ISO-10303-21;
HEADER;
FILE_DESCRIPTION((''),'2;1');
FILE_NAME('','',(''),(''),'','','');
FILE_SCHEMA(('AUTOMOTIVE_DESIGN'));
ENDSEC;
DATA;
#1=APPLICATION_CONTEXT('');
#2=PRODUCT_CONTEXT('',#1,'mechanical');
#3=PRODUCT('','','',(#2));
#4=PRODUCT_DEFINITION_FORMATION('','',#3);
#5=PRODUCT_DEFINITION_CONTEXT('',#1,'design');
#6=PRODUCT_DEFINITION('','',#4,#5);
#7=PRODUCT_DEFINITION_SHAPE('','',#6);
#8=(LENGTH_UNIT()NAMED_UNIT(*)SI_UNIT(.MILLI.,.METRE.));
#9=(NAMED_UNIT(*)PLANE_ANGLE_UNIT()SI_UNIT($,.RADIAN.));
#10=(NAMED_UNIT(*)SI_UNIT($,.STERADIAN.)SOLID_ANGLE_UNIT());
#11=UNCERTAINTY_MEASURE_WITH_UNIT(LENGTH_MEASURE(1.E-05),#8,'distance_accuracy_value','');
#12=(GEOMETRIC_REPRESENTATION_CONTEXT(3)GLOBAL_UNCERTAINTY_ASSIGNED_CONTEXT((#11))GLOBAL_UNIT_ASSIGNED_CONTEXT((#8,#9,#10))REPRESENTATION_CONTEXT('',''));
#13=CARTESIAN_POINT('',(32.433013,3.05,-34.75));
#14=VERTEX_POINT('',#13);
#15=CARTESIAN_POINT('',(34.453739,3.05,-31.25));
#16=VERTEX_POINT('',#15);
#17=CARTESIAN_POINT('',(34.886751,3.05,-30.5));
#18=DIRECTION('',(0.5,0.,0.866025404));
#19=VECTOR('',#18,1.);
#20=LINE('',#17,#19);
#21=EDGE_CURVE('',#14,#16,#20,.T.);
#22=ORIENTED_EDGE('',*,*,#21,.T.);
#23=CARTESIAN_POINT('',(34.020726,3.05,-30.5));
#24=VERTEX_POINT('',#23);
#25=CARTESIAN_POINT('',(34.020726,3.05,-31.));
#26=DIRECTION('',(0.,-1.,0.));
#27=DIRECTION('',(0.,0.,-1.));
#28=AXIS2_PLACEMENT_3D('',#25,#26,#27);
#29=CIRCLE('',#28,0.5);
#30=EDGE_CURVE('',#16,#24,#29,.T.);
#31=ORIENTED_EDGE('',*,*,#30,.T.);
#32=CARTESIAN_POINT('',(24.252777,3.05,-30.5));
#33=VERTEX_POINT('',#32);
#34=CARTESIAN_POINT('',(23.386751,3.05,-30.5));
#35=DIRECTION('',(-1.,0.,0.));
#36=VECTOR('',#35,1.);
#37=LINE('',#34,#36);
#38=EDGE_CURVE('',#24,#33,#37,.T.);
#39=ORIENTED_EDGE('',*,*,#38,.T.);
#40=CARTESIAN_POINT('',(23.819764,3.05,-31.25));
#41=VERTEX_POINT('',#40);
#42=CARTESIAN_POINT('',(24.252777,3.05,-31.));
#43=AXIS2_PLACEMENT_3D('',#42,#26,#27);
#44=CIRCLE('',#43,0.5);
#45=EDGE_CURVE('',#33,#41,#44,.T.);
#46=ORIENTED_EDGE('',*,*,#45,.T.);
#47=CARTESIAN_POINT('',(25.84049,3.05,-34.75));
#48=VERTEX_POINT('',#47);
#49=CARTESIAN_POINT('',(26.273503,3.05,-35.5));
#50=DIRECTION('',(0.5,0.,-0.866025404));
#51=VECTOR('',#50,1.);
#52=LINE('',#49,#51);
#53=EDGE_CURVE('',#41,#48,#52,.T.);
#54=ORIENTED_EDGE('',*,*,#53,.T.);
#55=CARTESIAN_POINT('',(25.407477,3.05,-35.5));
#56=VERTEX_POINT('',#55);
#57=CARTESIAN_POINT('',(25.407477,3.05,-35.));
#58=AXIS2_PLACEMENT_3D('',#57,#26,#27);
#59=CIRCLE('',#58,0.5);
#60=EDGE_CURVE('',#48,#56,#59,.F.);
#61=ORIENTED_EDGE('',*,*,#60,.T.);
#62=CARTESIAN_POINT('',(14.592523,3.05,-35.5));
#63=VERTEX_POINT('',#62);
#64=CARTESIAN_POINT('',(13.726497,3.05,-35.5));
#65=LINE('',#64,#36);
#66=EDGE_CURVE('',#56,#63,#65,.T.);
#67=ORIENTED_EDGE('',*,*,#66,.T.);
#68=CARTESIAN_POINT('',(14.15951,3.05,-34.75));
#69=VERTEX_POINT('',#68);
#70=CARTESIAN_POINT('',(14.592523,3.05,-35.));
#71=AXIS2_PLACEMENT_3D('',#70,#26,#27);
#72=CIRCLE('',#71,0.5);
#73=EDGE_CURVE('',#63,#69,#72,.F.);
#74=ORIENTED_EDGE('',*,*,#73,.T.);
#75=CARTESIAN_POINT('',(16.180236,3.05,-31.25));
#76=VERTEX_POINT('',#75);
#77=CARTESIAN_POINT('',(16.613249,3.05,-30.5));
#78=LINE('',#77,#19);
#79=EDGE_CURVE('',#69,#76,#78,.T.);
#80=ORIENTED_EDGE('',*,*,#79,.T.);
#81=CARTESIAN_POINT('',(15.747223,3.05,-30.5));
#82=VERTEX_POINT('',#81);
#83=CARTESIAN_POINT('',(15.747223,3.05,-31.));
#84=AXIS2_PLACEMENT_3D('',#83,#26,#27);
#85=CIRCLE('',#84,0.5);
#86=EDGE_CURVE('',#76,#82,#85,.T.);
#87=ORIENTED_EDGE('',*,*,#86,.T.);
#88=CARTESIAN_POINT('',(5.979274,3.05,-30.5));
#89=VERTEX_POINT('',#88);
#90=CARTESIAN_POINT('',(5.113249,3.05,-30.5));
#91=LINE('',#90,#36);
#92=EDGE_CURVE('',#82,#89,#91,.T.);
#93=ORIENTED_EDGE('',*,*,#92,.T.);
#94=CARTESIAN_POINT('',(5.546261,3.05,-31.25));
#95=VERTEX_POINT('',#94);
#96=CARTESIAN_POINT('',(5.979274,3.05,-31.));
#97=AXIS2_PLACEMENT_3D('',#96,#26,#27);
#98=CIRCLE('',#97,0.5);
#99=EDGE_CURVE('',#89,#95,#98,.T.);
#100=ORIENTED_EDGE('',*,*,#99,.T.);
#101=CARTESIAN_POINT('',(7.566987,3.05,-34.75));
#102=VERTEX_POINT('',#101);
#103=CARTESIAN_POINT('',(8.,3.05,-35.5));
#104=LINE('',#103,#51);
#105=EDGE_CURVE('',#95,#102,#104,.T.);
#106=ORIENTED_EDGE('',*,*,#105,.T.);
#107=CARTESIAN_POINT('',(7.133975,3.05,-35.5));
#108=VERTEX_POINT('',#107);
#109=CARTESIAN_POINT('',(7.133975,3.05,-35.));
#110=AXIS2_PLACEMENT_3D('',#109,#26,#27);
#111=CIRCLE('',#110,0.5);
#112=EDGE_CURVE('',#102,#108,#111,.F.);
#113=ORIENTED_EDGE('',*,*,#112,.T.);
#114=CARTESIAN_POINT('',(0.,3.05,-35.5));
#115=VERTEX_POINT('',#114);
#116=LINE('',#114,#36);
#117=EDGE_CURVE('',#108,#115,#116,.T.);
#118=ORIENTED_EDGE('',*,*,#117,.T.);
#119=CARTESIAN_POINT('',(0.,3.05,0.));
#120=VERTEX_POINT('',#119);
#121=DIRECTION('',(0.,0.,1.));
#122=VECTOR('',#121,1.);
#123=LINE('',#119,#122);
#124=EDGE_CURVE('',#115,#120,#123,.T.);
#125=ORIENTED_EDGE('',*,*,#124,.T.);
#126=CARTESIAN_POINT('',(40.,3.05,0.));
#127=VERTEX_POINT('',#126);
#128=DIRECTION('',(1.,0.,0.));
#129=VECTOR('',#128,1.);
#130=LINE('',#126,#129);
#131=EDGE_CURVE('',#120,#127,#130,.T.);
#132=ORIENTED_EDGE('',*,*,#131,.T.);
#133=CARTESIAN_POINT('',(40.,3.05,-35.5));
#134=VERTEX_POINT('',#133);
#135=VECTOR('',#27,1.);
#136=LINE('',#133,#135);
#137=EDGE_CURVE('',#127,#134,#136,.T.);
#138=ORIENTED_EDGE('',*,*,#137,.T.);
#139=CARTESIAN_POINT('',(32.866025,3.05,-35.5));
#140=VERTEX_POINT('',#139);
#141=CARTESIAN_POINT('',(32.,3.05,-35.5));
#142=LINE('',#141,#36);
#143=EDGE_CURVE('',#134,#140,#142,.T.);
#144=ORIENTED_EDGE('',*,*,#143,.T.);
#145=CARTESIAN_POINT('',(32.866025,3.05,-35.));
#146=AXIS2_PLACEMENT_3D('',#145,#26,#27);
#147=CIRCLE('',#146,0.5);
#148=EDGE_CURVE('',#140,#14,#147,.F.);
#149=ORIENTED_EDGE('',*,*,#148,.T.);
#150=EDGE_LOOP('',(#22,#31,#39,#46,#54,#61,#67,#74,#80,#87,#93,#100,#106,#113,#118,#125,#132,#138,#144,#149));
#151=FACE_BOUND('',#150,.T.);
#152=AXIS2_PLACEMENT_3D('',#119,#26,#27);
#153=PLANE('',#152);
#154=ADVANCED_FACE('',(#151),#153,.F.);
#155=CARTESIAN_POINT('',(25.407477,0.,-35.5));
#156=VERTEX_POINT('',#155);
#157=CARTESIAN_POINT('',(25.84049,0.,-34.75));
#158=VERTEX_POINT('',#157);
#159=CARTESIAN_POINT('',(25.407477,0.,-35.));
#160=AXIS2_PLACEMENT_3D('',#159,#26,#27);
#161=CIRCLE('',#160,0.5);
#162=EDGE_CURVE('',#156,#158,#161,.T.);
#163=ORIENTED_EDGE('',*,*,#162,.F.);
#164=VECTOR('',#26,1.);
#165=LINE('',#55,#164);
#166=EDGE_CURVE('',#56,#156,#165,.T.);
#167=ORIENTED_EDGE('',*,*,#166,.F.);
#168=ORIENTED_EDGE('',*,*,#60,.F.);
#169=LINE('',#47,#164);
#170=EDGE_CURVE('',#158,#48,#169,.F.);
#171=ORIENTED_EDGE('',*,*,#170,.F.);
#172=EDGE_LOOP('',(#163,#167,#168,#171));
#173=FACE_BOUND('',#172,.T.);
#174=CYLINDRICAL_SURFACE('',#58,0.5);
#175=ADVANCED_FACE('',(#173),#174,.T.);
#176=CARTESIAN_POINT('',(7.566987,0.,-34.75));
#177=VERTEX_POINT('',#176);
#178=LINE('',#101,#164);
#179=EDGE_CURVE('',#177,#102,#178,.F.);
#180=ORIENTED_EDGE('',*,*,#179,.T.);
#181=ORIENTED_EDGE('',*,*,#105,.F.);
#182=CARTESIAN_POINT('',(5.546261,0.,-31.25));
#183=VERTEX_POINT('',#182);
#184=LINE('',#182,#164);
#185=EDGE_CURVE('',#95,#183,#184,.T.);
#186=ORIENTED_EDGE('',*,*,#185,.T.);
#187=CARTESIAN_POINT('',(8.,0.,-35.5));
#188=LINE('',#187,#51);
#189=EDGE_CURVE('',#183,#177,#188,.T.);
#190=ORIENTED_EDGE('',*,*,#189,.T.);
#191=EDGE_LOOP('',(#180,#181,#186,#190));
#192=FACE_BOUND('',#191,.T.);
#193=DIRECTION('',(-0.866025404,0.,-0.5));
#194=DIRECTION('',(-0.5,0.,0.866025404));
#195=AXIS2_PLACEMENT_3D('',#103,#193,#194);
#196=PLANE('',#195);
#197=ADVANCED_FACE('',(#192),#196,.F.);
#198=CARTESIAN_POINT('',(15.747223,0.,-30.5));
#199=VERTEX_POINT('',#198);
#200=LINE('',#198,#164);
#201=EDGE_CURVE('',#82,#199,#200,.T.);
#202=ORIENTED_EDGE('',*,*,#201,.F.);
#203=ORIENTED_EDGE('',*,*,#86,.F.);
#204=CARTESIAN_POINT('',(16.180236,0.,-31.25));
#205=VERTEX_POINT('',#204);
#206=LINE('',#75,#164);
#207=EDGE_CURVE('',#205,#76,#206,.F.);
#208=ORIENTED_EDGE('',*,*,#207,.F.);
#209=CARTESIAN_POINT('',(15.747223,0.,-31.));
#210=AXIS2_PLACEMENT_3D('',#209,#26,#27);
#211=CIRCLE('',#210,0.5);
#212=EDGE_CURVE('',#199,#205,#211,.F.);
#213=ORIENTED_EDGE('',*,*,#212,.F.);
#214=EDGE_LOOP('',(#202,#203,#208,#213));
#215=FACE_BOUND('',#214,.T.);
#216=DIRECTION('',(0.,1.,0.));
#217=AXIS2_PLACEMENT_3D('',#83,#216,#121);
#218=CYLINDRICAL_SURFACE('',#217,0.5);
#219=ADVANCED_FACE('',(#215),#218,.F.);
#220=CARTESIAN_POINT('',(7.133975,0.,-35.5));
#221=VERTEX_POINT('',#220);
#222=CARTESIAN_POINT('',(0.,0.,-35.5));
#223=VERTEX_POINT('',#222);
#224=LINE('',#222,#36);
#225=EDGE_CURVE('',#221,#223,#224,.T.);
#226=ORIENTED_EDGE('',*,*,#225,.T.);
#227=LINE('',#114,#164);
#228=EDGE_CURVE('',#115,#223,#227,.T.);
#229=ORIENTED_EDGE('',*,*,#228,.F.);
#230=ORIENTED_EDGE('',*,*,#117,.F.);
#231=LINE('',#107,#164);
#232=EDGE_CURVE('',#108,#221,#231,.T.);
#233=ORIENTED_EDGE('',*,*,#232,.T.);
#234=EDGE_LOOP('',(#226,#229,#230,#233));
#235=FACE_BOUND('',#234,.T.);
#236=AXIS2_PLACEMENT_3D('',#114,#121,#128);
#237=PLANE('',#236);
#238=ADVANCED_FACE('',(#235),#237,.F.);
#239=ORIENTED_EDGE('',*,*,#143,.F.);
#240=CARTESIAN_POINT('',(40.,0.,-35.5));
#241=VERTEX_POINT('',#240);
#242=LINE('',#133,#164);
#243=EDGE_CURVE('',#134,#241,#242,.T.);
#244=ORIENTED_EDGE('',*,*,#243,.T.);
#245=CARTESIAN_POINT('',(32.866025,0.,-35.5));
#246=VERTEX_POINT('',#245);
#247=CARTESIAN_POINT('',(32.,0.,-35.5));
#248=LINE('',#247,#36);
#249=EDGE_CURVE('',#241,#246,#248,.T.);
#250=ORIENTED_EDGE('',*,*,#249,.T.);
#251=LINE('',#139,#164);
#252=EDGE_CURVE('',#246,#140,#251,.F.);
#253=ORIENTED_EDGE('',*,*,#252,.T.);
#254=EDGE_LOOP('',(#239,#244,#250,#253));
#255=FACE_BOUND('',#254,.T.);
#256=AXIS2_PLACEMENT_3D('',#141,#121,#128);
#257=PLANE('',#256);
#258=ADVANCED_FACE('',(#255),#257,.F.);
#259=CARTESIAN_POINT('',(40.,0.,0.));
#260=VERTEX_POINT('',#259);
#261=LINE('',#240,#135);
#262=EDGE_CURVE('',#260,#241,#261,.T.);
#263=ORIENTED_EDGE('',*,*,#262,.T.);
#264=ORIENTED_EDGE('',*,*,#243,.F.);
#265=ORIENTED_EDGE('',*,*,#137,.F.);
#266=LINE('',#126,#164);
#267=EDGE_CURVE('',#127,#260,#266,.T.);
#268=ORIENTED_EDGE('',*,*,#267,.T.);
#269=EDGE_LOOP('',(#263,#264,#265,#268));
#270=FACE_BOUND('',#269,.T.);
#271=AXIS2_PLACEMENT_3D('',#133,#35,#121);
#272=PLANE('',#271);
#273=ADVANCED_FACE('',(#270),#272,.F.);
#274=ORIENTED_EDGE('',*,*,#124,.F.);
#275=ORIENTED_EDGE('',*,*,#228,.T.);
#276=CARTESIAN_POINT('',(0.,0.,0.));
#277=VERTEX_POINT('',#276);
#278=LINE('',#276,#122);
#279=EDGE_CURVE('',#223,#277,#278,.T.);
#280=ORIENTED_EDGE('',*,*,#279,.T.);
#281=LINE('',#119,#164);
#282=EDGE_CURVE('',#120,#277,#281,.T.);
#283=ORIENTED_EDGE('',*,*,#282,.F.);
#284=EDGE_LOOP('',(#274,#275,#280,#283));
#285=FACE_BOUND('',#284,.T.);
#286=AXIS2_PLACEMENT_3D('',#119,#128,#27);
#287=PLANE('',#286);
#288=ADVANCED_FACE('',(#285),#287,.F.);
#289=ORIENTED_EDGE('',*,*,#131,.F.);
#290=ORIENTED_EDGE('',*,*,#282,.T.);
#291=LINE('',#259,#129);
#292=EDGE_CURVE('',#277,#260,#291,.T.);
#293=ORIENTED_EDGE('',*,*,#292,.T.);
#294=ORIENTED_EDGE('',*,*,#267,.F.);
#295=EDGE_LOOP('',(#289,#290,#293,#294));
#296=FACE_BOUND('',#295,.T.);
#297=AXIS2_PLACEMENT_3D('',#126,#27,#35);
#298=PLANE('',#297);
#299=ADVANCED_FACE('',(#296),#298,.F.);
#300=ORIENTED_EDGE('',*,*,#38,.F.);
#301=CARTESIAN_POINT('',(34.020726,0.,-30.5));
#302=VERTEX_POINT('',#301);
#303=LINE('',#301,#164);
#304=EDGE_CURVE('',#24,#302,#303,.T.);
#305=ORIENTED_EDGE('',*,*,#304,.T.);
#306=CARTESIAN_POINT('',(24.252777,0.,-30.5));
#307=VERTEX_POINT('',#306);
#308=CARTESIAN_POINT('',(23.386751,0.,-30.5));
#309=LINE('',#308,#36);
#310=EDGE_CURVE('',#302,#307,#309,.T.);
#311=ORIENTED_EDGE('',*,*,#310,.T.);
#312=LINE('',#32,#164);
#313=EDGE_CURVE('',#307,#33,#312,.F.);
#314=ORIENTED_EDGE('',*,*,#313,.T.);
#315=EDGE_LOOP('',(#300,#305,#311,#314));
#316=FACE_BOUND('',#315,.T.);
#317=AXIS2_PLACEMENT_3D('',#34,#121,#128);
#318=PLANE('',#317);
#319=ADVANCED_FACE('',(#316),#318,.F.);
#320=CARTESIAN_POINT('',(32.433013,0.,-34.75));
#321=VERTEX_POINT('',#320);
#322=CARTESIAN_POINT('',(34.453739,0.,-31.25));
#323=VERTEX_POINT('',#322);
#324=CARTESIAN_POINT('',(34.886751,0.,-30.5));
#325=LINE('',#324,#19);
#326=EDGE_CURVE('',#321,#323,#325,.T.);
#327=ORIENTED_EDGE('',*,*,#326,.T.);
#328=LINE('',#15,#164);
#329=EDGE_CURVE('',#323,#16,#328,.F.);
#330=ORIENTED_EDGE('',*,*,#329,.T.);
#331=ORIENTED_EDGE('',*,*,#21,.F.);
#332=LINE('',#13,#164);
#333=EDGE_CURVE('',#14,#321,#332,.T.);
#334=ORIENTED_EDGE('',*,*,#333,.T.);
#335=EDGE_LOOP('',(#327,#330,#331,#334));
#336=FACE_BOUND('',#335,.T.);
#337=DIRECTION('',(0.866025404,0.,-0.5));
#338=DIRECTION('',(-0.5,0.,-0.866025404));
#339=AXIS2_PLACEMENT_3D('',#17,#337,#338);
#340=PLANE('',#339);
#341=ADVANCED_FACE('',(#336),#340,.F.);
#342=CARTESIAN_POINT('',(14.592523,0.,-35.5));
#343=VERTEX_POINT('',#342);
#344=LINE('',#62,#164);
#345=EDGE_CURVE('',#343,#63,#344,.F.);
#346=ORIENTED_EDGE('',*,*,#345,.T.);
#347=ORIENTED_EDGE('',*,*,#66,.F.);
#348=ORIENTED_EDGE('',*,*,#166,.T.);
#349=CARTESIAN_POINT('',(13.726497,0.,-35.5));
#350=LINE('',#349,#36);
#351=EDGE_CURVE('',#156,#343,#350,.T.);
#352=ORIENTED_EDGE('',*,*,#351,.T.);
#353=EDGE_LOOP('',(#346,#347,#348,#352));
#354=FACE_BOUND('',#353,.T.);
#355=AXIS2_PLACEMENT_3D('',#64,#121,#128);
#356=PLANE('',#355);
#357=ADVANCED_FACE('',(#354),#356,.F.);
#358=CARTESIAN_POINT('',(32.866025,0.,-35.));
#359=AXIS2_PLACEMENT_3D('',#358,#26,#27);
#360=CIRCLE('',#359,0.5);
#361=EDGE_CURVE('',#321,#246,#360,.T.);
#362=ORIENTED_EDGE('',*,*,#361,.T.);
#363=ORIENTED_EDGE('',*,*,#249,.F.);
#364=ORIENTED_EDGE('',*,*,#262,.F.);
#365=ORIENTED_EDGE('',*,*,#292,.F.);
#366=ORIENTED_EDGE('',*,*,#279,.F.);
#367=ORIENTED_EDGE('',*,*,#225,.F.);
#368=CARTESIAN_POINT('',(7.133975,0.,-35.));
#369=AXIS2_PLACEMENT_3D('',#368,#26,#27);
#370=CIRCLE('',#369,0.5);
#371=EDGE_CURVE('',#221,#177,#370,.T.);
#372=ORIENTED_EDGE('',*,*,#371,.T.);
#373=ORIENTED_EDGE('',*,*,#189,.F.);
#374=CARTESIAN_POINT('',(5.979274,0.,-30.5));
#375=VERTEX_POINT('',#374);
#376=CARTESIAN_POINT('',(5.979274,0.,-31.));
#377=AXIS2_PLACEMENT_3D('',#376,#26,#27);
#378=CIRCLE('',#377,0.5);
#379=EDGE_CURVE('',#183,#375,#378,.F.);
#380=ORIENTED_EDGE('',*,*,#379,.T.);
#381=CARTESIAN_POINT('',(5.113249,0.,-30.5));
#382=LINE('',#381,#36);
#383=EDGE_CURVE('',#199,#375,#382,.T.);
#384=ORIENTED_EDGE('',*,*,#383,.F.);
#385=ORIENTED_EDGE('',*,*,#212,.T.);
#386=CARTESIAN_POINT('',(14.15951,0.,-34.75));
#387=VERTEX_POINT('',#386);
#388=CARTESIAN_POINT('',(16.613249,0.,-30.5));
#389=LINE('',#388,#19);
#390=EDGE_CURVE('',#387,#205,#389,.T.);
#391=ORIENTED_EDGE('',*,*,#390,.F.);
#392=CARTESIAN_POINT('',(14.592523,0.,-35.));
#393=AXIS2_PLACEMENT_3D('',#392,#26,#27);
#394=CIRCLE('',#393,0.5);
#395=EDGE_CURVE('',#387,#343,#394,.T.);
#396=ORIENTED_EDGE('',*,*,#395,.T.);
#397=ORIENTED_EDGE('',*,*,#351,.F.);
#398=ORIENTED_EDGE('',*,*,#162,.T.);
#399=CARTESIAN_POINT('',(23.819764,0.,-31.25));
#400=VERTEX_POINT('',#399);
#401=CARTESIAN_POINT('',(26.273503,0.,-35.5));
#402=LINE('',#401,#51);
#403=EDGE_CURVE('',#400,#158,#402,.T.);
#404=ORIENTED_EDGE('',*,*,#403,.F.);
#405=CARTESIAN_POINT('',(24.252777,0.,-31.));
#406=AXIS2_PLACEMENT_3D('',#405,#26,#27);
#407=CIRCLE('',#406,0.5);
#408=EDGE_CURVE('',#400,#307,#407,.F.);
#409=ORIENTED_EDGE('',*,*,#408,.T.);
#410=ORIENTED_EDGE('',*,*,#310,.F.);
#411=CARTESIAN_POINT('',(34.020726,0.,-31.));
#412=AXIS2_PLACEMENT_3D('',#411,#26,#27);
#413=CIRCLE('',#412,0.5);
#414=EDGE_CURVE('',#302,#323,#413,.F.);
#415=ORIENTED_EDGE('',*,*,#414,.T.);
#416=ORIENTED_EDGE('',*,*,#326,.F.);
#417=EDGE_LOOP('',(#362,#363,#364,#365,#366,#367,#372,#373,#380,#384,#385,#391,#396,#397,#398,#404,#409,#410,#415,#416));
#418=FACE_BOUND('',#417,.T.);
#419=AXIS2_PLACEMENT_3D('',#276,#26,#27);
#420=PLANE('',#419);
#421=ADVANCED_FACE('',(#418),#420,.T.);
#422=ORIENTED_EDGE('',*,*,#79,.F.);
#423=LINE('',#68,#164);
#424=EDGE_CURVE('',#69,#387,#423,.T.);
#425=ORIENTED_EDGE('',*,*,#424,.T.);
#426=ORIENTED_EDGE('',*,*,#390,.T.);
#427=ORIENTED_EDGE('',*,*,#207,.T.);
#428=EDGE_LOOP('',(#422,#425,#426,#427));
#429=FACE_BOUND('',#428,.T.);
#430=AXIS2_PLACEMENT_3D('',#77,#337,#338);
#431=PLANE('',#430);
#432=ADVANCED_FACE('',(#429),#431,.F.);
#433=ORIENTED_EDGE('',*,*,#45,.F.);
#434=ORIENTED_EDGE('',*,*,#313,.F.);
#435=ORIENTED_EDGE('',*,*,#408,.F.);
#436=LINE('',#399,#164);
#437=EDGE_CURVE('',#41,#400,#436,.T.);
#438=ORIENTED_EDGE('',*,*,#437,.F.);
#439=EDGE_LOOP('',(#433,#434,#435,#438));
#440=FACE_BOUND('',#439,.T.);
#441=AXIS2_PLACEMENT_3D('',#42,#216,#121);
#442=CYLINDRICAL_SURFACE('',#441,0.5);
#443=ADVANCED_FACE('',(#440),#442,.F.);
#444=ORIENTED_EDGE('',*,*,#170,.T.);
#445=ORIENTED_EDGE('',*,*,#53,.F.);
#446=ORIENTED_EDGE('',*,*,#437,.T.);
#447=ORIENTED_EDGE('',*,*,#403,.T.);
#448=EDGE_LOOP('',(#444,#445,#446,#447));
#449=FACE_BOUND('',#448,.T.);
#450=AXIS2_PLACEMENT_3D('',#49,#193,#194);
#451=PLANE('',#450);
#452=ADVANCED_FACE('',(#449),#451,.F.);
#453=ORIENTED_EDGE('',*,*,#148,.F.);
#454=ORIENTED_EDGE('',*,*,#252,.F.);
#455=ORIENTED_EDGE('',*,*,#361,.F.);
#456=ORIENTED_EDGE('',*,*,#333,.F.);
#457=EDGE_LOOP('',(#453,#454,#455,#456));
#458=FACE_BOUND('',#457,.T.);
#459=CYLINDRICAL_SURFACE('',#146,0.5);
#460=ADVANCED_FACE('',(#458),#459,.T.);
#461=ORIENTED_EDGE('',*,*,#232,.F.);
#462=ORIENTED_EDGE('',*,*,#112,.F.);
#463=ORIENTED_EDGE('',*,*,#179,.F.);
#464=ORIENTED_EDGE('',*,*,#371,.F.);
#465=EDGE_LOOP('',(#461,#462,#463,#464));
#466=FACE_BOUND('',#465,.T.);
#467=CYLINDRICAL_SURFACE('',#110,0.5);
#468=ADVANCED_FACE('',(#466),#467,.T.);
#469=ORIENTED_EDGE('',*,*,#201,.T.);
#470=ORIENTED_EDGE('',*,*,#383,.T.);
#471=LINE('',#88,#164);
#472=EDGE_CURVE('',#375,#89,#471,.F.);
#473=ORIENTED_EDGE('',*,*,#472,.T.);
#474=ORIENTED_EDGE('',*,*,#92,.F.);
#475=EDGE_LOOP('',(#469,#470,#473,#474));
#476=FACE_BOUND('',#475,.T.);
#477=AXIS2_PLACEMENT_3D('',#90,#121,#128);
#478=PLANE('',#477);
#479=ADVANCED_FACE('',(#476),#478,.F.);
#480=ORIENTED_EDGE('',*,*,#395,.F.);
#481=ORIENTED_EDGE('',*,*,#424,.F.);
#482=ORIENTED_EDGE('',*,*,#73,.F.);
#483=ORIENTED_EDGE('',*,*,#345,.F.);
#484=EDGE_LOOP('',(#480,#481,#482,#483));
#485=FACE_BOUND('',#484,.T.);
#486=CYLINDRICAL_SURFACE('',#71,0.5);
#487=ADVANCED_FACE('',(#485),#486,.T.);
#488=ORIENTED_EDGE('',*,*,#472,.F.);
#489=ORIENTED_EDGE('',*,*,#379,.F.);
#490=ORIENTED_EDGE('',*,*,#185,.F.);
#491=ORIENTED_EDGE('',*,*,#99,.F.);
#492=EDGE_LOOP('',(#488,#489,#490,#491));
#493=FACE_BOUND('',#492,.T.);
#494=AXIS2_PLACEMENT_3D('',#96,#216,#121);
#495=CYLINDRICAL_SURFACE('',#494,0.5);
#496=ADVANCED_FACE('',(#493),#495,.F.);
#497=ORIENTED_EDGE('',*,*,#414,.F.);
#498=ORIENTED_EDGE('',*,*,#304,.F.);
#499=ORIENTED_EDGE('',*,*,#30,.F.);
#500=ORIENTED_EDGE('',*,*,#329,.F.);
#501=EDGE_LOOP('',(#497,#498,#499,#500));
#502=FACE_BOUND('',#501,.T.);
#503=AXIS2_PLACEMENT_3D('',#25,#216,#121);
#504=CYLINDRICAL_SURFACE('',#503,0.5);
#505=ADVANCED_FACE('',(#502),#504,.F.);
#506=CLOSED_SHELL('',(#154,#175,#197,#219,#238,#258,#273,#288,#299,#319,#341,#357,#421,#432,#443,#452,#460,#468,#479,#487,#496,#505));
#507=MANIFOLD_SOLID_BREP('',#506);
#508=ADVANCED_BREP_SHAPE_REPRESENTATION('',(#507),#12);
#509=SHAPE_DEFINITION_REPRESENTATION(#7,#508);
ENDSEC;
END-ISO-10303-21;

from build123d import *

# Parameters (mm, degrees)
BOSS_EXTRUDE1_DEPTH = 3.05
FILLET3_R           = 0.5


with BuildPart() as part:
    # Sketch1 → Boss-Extrude1 (new body)
    with BuildSketch(Plane(origin=(0, 0, 0), x_dir=(1, 0, 0), z_dir=(0, 1, 0))):
        Polygon((0, 0), (0, 35.5), (8, 35.5), (5.113248654, 30.5), (16.613248654, 30.5), (13.726497308, 35.5), (26.273502692, 35.5), (23.386751346, 30.5), (34.886751346, 30.5), (32, 35.5), (40, 35.5), (40, 0), align=None)
    extrude(amount=BOSS_EXTRUDE1_DEPTH)

    # Fillet3
    fillet3_edges = [part.edges().sort_by_distance(p)[0] for p in [
        (8, 1.525, -35.5),
        (5.113248654, 1.525, -30.5),
        (16.613248654, 1.525, -30.5),
        (13.726497308, 1.525, -35.5),
        (26.273502692, 1.525, -35.5),
        (23.386751346, 1.525, -30.5),
        (34.886751346, 1.525, -30.5),
        (32, 1.525, -35.5),
    ]]
    fillet(fillet3_edges, radius=FILLET3_R)


solid = part.part
